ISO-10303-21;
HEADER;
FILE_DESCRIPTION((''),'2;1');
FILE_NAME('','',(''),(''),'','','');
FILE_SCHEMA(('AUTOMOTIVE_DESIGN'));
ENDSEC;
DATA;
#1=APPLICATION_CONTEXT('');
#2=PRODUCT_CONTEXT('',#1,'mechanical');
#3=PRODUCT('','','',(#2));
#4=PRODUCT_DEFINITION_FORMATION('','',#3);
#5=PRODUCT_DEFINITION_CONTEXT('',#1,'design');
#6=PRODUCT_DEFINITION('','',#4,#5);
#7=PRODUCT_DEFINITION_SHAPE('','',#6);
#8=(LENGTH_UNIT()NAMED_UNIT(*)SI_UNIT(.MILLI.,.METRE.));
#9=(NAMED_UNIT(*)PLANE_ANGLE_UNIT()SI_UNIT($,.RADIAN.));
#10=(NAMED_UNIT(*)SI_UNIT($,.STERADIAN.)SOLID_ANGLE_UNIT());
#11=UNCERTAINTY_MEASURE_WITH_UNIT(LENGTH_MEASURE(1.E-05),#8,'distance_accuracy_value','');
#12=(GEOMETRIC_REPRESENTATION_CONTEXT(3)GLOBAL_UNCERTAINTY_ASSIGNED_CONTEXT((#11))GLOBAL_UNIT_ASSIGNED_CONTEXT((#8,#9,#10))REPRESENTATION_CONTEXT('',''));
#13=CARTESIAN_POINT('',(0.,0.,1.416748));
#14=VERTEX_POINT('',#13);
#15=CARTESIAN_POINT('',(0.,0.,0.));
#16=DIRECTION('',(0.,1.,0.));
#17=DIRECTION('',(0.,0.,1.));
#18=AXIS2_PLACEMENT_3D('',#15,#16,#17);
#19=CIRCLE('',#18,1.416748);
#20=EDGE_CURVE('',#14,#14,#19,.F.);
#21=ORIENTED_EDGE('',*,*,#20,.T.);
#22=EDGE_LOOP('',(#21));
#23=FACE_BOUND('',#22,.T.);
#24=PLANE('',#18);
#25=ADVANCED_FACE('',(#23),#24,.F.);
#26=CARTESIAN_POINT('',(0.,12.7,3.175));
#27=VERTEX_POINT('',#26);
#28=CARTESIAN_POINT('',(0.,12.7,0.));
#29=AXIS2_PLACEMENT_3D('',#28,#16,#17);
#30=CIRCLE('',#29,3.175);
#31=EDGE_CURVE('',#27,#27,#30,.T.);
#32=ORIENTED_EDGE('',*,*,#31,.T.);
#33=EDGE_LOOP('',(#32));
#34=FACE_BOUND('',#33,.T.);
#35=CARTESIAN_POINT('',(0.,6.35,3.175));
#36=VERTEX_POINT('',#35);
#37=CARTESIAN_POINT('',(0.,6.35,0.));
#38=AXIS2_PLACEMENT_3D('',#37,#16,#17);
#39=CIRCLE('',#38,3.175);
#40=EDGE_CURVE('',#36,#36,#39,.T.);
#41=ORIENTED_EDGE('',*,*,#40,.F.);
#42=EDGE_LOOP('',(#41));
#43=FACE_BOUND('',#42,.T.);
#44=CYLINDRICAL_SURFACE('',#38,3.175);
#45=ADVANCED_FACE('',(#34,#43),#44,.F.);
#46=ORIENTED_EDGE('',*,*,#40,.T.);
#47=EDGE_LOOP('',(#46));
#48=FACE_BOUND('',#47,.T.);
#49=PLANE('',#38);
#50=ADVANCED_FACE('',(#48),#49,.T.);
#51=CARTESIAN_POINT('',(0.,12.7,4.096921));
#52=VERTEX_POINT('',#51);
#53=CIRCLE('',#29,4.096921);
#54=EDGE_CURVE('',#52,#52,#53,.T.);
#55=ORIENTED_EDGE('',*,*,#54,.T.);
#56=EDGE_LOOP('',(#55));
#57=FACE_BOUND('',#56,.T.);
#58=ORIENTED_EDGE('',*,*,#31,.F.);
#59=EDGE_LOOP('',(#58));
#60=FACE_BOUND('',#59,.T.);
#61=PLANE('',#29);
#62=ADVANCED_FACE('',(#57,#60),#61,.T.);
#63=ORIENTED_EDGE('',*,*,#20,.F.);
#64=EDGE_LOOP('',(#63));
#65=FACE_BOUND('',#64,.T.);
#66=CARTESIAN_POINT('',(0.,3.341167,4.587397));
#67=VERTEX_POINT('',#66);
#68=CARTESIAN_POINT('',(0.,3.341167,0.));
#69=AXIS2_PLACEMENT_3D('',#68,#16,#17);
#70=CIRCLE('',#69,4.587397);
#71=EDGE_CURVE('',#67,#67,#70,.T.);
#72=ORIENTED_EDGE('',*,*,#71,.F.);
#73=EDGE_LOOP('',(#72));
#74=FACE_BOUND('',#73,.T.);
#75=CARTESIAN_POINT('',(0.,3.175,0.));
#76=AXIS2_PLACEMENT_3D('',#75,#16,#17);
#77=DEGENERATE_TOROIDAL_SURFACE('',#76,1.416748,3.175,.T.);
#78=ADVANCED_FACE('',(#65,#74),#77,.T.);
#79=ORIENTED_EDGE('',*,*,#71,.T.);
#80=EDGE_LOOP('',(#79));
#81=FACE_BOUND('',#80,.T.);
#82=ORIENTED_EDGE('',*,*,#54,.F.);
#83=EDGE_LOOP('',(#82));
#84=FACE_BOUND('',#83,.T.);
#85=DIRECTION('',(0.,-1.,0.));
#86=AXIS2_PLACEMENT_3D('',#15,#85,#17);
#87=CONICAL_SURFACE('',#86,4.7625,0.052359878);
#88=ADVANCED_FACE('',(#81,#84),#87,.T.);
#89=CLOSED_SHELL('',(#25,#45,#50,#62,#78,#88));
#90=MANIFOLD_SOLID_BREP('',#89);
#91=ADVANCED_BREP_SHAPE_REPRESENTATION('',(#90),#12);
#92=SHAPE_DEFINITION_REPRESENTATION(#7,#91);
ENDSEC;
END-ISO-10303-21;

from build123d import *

# Parameters (mm, degrees)
SKETCH2_R          = 4.7625
BASE_EXTRUDE_DEPTH = 12.7
BASE_EXTRUDE_TAPER = 3
FILLET1_R          = 3.175
SKETCH3_R          = 3.175
CUT_EXTRUDE1_DEPTH = 6.35


with BuildPart() as part:
    # Sketch2 → Base-Extrude (new body)
    with BuildSketch(Plane(origin=(0, 0, 0), x_dir=(1, 0, 0), z_dir=(0, 1, 0))):
        Circle(SKETCH2_R)
    extrude(amount=BASE_EXTRUDE_DEPTH, taper=BASE_EXTRUDE_TAPER)

    # Fillet1
    fillet1_edges = [part.edges().sort_by_distance(p)[0] for p in [
        (-4.7625, 0, 0),
    ]]
    fillet(fillet1_edges, radius=FILLET1_R)

    # Sketch3 → Cut-Extrude1 (cut)
    with BuildSketch(Plane(origin=(0, 12.7, 0), x_dir=(-1, 0, 0), z_dir=(0, 1, 0))):
        with Locations(Location((0, 0, 0), (0, 0, 90))):
            Circle(SKETCH3_R)
    extrude(amount=-CUT_EXTRUDE1_DEPTH, mode=Mode.SUBTRACT)


solid = part.part
